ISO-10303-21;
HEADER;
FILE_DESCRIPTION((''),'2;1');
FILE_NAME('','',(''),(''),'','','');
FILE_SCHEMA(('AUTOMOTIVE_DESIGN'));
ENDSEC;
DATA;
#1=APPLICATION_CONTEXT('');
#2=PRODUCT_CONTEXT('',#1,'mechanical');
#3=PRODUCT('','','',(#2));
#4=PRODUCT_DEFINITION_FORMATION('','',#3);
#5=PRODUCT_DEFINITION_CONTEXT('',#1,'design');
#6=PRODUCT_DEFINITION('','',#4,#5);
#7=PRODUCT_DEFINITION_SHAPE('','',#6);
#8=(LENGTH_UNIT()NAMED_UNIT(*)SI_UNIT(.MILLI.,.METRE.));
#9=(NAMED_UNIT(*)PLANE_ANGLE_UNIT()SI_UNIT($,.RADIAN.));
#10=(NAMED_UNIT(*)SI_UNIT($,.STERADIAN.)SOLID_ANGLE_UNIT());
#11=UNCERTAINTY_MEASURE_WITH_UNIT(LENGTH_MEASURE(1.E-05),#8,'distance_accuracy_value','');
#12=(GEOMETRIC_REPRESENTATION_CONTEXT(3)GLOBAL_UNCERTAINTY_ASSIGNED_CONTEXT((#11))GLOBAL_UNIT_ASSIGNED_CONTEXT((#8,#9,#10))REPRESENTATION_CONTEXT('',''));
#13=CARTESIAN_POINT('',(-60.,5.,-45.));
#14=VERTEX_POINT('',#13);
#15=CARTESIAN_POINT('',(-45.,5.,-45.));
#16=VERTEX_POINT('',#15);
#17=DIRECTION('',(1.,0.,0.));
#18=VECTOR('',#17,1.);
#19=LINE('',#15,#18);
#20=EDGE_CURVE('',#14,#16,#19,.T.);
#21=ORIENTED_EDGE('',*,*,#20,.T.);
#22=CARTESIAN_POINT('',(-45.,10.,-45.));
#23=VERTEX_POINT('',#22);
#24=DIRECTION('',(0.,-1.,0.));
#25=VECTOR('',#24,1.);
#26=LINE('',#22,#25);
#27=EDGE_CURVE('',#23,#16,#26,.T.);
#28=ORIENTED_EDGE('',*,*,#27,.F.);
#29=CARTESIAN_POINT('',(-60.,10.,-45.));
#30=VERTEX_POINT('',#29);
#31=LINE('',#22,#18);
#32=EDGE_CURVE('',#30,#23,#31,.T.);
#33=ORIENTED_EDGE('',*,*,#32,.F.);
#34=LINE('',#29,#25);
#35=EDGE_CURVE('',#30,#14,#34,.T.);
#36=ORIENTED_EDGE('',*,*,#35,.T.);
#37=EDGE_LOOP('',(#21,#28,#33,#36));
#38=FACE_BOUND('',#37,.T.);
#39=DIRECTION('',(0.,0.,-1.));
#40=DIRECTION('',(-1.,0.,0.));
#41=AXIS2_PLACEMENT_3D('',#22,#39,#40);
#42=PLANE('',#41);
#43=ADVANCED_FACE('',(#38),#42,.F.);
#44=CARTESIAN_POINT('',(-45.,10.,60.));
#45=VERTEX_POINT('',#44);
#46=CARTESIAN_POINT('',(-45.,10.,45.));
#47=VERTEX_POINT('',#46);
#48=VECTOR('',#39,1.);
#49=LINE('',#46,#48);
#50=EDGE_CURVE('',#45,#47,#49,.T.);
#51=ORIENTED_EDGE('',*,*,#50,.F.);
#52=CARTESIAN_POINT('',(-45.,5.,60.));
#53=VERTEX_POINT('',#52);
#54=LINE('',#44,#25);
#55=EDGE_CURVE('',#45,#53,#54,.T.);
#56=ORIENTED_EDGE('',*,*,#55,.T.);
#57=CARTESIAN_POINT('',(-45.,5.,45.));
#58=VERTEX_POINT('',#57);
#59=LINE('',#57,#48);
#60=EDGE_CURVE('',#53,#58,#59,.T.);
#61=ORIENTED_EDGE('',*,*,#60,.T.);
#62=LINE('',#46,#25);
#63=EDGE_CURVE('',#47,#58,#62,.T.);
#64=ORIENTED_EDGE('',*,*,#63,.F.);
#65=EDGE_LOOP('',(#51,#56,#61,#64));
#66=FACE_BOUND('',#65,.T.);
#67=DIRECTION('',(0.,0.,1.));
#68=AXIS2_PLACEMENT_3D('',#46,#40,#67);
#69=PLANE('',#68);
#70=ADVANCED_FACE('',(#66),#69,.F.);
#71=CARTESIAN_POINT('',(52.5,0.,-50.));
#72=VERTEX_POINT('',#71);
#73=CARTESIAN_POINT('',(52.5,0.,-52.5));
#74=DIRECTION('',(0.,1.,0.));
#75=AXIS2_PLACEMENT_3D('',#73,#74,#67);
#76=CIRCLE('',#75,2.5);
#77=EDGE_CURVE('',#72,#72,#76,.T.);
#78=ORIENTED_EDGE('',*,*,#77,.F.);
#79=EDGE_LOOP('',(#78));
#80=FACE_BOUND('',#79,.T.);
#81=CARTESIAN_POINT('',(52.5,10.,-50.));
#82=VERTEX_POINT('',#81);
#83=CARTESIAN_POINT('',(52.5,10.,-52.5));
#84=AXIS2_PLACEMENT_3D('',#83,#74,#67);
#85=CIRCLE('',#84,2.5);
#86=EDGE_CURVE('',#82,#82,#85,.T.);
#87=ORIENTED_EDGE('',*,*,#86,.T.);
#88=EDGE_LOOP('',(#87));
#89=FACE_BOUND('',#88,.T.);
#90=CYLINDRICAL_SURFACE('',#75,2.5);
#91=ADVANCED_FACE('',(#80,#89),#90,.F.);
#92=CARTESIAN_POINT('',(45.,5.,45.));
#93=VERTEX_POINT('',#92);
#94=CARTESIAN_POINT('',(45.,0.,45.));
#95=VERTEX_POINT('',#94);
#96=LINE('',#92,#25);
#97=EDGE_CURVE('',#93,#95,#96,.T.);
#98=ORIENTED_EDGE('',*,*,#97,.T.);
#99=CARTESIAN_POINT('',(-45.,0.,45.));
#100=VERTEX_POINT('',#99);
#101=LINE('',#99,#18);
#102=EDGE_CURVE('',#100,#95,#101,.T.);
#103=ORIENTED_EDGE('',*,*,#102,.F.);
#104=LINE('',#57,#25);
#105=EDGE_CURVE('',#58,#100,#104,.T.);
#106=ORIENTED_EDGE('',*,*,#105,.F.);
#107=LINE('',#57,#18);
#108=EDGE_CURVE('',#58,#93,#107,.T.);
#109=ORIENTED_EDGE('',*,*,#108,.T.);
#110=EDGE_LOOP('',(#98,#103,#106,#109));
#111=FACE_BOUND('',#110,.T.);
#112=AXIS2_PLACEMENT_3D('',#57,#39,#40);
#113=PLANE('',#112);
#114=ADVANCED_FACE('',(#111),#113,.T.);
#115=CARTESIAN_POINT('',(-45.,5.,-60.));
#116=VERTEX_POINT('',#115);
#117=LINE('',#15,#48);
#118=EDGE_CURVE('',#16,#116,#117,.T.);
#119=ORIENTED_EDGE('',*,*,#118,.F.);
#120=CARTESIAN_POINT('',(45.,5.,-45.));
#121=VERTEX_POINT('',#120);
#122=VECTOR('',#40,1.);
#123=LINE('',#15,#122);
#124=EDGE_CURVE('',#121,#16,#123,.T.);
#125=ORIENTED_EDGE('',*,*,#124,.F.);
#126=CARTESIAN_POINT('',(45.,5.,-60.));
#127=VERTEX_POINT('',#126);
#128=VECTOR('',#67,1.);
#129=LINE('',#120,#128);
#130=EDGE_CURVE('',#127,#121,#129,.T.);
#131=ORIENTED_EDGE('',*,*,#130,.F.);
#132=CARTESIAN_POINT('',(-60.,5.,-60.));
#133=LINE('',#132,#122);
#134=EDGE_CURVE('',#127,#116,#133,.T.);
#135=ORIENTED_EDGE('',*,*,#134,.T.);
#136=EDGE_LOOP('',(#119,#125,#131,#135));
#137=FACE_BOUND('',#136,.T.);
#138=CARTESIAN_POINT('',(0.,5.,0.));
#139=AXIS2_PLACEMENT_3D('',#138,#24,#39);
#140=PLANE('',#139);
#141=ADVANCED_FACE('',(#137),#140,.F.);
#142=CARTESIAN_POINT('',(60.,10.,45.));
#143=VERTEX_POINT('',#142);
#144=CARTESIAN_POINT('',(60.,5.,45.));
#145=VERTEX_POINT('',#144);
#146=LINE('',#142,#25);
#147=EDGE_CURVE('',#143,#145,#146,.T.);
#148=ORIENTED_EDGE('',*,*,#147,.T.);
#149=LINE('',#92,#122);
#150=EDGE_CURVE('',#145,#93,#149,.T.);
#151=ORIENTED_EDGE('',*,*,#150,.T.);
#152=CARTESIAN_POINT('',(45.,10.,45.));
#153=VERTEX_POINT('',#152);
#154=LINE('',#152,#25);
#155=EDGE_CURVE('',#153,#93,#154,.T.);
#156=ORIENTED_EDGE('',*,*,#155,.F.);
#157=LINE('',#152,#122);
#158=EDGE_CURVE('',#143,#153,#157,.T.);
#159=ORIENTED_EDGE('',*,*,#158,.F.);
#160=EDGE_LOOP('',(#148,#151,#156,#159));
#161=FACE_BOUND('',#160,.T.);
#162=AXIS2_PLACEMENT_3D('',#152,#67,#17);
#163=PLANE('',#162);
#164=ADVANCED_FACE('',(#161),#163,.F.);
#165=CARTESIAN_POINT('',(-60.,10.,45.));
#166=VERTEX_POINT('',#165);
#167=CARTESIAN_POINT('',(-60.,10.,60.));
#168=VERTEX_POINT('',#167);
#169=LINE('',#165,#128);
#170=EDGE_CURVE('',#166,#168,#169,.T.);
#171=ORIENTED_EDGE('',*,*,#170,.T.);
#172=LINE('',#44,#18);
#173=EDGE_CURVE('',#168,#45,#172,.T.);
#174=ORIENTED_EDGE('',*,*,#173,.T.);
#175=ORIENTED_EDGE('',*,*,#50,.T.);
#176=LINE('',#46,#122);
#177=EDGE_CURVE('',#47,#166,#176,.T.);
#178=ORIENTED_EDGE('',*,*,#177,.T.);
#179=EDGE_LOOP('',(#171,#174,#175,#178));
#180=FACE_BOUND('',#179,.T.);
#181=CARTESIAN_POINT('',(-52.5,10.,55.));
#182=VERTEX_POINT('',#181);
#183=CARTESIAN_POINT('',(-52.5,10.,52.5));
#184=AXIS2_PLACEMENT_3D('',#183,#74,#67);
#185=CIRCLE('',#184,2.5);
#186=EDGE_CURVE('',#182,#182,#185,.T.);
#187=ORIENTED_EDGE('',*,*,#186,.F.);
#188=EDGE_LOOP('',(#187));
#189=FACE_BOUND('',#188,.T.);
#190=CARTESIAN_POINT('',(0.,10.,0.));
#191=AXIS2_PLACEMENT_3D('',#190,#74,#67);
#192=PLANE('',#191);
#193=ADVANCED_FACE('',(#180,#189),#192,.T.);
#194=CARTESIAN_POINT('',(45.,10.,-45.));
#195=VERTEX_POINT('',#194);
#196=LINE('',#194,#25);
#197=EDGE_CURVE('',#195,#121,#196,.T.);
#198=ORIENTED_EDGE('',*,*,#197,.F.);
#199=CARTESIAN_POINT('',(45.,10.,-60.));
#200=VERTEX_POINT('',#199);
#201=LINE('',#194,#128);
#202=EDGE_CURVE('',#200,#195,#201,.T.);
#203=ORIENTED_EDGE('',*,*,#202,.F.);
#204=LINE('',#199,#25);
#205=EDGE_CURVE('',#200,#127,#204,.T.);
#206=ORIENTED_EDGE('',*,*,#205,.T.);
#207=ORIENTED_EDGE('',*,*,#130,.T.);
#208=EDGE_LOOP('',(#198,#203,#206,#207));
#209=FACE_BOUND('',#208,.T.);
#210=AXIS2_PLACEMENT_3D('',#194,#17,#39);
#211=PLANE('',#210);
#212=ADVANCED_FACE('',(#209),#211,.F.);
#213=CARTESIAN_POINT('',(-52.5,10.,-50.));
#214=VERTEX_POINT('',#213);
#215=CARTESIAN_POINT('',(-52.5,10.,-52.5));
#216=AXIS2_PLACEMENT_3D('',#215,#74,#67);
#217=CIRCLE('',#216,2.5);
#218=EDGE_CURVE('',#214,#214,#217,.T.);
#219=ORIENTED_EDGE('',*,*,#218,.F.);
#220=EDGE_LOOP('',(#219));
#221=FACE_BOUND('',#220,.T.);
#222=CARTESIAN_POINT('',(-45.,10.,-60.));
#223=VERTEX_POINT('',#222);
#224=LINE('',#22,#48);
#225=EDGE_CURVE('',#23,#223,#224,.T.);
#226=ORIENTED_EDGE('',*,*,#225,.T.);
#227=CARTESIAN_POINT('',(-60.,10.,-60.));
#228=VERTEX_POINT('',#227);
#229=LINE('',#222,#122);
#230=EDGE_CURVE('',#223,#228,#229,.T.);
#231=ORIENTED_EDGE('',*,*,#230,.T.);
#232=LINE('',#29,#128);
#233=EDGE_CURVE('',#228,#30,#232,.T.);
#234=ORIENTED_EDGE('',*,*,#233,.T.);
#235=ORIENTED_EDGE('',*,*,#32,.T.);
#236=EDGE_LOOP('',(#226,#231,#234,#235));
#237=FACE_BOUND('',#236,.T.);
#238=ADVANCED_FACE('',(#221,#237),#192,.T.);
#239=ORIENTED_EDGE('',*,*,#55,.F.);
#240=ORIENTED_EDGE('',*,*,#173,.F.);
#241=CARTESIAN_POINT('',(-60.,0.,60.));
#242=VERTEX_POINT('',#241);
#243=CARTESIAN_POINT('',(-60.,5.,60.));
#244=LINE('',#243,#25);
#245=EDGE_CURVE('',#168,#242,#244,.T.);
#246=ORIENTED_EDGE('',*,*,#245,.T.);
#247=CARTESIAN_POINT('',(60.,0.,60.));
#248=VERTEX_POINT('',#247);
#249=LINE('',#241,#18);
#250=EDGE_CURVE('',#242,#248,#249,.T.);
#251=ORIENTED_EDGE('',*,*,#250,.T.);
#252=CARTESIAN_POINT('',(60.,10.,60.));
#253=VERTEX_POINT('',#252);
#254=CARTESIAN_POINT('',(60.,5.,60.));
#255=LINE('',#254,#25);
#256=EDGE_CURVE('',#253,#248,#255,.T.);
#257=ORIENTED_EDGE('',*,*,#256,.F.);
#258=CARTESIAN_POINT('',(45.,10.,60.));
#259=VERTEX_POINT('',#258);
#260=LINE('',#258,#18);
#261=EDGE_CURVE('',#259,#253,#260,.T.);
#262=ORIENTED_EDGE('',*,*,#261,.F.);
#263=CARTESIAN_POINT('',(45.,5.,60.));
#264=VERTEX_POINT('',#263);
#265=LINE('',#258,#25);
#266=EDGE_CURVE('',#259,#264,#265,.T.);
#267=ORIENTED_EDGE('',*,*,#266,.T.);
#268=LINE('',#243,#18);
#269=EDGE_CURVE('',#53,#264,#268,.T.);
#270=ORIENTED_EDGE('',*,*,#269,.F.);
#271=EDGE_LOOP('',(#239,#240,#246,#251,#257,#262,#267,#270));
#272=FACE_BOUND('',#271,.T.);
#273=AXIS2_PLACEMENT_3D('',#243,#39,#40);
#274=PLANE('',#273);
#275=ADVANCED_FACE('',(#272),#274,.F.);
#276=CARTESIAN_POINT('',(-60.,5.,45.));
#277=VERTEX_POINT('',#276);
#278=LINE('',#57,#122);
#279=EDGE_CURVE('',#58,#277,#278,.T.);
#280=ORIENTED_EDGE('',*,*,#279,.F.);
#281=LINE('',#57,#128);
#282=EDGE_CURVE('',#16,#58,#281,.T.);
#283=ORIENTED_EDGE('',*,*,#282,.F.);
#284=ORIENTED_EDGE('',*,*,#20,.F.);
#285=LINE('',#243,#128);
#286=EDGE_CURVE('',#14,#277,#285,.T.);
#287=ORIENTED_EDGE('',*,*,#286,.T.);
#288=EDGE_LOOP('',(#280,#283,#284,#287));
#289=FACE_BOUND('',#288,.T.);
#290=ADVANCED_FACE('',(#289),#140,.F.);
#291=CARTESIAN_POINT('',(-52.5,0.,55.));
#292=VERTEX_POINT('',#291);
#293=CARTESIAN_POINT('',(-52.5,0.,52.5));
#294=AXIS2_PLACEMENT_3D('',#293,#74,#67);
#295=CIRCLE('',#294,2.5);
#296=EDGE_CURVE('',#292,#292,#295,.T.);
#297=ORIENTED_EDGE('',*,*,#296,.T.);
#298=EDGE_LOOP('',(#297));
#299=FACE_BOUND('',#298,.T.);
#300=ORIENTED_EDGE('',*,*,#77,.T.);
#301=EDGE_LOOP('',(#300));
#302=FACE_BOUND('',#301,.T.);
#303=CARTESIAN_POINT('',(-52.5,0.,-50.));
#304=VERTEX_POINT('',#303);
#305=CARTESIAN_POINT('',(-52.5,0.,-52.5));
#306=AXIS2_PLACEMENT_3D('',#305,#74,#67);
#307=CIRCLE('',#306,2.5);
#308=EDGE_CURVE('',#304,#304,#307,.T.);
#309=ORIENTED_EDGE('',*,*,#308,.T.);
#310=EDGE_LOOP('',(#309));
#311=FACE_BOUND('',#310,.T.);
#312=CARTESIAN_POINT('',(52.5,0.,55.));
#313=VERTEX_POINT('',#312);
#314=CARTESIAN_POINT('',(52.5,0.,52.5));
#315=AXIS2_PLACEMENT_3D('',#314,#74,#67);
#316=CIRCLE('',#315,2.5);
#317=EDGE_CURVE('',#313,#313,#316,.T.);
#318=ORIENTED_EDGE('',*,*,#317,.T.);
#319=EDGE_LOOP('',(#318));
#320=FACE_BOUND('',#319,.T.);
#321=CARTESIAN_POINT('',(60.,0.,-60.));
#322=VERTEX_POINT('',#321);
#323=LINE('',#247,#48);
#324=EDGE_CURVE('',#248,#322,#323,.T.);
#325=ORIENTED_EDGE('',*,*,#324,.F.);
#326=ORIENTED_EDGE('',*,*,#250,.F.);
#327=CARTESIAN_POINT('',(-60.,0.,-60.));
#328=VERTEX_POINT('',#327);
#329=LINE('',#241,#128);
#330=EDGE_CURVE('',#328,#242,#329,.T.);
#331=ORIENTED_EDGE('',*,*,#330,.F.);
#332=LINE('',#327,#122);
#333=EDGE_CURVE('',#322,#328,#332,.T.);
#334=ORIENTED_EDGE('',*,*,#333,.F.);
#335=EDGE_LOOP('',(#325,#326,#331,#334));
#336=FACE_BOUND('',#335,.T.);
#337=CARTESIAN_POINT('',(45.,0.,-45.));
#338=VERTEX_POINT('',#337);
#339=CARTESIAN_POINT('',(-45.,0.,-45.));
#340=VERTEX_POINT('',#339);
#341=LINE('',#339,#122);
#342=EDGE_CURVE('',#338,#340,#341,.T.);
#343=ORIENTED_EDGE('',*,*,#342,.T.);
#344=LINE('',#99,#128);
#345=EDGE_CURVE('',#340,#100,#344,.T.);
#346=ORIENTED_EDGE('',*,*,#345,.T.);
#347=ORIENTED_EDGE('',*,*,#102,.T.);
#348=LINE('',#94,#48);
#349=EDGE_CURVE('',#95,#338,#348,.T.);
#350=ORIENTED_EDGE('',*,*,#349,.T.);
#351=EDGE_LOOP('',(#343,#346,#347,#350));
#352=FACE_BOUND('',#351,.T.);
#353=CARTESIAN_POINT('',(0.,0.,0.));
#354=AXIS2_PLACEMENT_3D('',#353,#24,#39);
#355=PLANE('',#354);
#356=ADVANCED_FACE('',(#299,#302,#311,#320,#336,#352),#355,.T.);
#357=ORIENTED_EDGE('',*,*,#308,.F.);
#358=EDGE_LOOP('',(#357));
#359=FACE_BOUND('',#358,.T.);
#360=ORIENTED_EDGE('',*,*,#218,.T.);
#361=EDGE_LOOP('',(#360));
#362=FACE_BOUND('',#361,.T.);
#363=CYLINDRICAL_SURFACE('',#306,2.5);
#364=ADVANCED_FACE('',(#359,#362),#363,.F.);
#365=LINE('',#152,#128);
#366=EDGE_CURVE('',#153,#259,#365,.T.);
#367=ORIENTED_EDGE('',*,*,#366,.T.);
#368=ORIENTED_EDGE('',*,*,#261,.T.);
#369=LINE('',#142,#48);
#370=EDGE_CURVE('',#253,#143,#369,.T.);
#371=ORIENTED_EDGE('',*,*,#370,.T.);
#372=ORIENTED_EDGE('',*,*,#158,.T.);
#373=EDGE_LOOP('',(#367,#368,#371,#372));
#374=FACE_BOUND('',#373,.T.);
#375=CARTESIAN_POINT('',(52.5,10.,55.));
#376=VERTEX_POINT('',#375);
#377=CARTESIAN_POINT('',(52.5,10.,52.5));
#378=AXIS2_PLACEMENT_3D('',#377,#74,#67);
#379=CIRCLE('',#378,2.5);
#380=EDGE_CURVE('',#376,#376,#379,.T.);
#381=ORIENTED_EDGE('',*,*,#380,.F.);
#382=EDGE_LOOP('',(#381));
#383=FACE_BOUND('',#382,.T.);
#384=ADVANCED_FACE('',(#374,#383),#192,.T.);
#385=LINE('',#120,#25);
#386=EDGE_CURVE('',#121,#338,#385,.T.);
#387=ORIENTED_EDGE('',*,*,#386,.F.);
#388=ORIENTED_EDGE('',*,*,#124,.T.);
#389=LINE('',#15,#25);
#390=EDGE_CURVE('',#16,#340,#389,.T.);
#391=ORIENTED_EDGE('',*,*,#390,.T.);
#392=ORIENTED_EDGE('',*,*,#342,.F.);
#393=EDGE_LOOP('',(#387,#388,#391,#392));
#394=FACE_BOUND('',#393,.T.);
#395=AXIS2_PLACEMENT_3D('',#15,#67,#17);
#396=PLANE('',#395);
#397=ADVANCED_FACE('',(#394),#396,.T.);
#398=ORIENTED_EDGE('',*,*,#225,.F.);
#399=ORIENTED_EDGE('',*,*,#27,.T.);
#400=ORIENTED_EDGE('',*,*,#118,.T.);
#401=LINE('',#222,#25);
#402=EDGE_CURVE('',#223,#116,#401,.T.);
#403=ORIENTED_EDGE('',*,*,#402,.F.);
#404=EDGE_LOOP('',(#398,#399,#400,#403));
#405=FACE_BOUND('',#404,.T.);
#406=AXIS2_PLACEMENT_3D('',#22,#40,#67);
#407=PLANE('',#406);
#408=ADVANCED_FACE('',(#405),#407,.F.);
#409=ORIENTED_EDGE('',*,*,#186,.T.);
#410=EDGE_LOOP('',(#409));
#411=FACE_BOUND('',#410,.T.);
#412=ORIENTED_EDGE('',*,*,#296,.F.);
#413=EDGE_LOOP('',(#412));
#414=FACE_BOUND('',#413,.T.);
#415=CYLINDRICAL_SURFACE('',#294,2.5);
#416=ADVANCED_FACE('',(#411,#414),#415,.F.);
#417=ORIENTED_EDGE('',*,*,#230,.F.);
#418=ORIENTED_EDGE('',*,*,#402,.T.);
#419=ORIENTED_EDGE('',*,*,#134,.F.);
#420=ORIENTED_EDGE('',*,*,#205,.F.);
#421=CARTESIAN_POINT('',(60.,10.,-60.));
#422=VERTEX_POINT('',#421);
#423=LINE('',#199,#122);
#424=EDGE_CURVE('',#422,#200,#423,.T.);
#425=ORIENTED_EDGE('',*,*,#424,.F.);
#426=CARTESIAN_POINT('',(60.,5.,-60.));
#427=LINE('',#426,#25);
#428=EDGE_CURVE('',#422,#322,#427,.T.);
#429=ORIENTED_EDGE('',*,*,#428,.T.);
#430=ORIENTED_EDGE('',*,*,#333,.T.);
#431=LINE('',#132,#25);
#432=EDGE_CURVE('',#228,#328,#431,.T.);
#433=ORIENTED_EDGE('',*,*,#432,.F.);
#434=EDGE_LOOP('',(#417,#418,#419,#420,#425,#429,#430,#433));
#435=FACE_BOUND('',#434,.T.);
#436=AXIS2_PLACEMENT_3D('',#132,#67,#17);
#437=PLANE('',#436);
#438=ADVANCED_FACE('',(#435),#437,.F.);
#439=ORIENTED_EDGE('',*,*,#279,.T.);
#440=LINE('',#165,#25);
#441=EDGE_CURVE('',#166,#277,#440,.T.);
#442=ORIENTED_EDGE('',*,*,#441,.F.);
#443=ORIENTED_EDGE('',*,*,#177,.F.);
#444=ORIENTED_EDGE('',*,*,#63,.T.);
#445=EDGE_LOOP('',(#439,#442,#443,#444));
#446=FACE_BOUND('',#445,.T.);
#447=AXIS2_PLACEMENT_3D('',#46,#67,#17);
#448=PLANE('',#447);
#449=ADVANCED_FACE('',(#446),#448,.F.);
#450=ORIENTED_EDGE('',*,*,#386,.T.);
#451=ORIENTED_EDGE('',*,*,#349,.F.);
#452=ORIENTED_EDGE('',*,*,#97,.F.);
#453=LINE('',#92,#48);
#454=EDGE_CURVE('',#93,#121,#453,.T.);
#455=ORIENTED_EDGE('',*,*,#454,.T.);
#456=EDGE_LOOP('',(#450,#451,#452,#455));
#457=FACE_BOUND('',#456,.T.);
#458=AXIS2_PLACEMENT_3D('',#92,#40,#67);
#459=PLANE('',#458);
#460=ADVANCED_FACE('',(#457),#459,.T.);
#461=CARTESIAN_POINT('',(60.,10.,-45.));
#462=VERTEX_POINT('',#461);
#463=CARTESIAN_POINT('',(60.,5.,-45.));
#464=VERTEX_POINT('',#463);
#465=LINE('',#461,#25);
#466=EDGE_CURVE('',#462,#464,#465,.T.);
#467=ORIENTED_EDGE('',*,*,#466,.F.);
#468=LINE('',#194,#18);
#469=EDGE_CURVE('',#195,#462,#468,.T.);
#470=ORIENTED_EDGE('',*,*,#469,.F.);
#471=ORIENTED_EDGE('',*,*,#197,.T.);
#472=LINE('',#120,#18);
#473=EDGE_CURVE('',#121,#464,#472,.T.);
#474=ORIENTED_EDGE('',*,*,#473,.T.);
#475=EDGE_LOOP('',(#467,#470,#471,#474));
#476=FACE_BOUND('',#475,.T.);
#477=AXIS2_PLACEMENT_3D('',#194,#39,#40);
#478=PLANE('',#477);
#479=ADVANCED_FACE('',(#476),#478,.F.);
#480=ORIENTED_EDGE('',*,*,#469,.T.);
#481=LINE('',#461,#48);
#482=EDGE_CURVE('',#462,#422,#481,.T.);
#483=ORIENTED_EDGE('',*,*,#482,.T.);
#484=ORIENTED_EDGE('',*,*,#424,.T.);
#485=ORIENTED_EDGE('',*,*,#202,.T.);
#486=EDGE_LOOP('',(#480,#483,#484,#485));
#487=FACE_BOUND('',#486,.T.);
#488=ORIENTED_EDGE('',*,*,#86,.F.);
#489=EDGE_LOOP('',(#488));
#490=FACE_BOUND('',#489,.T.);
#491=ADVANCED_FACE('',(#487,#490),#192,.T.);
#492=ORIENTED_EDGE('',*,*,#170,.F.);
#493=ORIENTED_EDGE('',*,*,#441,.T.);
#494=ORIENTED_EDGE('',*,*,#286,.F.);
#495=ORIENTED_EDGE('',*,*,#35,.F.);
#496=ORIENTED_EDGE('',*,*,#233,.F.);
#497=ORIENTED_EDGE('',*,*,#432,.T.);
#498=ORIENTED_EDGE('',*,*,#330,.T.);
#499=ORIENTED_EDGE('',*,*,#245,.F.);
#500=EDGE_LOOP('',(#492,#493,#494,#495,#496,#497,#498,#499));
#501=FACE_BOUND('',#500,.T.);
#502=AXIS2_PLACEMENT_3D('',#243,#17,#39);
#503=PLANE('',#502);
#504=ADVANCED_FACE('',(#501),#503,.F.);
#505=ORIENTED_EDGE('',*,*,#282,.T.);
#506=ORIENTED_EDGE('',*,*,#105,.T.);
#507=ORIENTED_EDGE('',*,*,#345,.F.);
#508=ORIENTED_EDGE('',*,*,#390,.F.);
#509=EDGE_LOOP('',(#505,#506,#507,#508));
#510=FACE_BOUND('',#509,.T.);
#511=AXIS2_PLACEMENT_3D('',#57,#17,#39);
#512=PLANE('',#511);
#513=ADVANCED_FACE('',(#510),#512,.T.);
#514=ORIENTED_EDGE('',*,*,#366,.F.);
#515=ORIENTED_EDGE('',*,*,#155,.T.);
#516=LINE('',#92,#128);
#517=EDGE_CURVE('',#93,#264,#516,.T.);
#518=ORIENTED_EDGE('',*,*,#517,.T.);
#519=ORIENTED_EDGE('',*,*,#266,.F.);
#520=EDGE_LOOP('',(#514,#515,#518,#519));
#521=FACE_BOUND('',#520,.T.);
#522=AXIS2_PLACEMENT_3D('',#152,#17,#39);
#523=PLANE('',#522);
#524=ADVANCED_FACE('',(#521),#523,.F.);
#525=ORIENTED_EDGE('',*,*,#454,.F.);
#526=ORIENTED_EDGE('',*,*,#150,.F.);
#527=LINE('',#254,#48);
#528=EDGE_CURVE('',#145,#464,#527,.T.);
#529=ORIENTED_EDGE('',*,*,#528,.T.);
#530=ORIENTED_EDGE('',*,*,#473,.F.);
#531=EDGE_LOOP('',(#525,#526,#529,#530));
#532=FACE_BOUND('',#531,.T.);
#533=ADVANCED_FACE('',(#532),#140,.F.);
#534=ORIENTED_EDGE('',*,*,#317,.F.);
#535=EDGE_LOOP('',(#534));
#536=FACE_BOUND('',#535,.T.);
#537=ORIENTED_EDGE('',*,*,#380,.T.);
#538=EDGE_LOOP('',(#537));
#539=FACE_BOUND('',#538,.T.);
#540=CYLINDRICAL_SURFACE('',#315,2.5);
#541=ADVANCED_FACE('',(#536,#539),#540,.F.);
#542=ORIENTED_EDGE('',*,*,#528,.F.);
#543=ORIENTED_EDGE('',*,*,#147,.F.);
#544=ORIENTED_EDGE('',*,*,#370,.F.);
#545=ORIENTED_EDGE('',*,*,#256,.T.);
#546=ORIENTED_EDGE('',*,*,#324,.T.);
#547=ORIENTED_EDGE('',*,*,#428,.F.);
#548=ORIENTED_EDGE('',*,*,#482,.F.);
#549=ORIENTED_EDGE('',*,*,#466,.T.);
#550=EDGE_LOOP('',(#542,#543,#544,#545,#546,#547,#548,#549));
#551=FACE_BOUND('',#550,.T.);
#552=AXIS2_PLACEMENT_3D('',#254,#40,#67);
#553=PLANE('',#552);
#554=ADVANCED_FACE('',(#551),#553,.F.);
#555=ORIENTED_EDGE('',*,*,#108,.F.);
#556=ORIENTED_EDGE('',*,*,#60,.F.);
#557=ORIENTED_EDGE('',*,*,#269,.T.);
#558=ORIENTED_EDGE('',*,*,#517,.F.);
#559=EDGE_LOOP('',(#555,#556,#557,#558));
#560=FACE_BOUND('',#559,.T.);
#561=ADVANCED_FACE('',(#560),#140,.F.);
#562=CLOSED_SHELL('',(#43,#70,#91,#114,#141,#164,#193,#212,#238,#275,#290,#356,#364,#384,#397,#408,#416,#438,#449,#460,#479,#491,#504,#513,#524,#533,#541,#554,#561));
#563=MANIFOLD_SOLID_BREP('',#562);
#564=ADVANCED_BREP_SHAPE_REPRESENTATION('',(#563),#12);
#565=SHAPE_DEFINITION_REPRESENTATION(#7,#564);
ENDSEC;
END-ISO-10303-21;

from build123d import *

# Parameters (mm, degrees)
SKETCH2_W           = 120
SKETCH2_H           = 120
SKETCH2_W_2         = 90
SKETCH2_H_2         = 90
BOSS_EXTRUDE1_DEPTH = 5
SKETCH3_W           = 15
SKETCH3_H           = 15
BOSS_EXTRUDE2_DEPTH = 5
SKETCH4_R           = 2.5
CUT_EXTRUDE1_DEPTH  = 86.440037453


with BuildPart() as part:
    # Sketch2 → Boss-Extrude1 (new body)
    with BuildSketch(Plane(origin=(0, 0, 0), x_dir=(1, 0, 0), z_dir=(0, 1, 0))):
        Rectangle(SKETCH2_W, SKETCH2_H)
        Rectangle(SKETCH2_W_2, SKETCH2_H_2, mode=Mode.SUBTRACT)
    extrude(amount=BOSS_EXTRUDE1_DEPTH)

    # Sketch3 → Boss-Extrude2 (add)
    with BuildSketch(Plane(origin=(0, 5, 0), x_dir=(1, 0, 0), z_dir=(0, 1, 0))):
        with Locations((52.5, 52.5)):
            Rectangle(SKETCH3_W, SKETCH3_H)
        with Locations((-52.5, 52.5)):
            Rectangle(SKETCH3_W, SKETCH3_H)
        with Locations((52.5, -52.5)):
            Rectangle(SKETCH3_W, SKETCH3_H)
        with Locations((-52.5, -52.5)):
            Rectangle(SKETCH3_W, SKETCH3_H)
    extrude(amount=BOSS_EXTRUDE2_DEPTH)

    # Sketch4 → Cut-Extrude1 (cut, through all)
    with BuildSketch(Plane(origin=(0, 10, 0), x_dir=(1, 0, 0), z_dir=(0, 1, 0))):
        with Locations(Location((-52.5, -52.5, 0), (0, 0, 270))):
            Circle(SKETCH4_R)
        with Locations(Location((-52.5, 52.5, 0), (0, 0, 270))):
            Circle(SKETCH4_R)
        with Locations(Location((52.5, 52.5, 0), (0, 0, 270))):
            Circle(SKETCH4_R)
        with Locations(Location((52.5, -52.5, 0), (0, 0, 270))):
            Circle(SKETCH4_R)
    extrude(amount=-CUT_EXTRUDE1_DEPTH, mode=Mode.SUBTRACT)


solid = part.part
